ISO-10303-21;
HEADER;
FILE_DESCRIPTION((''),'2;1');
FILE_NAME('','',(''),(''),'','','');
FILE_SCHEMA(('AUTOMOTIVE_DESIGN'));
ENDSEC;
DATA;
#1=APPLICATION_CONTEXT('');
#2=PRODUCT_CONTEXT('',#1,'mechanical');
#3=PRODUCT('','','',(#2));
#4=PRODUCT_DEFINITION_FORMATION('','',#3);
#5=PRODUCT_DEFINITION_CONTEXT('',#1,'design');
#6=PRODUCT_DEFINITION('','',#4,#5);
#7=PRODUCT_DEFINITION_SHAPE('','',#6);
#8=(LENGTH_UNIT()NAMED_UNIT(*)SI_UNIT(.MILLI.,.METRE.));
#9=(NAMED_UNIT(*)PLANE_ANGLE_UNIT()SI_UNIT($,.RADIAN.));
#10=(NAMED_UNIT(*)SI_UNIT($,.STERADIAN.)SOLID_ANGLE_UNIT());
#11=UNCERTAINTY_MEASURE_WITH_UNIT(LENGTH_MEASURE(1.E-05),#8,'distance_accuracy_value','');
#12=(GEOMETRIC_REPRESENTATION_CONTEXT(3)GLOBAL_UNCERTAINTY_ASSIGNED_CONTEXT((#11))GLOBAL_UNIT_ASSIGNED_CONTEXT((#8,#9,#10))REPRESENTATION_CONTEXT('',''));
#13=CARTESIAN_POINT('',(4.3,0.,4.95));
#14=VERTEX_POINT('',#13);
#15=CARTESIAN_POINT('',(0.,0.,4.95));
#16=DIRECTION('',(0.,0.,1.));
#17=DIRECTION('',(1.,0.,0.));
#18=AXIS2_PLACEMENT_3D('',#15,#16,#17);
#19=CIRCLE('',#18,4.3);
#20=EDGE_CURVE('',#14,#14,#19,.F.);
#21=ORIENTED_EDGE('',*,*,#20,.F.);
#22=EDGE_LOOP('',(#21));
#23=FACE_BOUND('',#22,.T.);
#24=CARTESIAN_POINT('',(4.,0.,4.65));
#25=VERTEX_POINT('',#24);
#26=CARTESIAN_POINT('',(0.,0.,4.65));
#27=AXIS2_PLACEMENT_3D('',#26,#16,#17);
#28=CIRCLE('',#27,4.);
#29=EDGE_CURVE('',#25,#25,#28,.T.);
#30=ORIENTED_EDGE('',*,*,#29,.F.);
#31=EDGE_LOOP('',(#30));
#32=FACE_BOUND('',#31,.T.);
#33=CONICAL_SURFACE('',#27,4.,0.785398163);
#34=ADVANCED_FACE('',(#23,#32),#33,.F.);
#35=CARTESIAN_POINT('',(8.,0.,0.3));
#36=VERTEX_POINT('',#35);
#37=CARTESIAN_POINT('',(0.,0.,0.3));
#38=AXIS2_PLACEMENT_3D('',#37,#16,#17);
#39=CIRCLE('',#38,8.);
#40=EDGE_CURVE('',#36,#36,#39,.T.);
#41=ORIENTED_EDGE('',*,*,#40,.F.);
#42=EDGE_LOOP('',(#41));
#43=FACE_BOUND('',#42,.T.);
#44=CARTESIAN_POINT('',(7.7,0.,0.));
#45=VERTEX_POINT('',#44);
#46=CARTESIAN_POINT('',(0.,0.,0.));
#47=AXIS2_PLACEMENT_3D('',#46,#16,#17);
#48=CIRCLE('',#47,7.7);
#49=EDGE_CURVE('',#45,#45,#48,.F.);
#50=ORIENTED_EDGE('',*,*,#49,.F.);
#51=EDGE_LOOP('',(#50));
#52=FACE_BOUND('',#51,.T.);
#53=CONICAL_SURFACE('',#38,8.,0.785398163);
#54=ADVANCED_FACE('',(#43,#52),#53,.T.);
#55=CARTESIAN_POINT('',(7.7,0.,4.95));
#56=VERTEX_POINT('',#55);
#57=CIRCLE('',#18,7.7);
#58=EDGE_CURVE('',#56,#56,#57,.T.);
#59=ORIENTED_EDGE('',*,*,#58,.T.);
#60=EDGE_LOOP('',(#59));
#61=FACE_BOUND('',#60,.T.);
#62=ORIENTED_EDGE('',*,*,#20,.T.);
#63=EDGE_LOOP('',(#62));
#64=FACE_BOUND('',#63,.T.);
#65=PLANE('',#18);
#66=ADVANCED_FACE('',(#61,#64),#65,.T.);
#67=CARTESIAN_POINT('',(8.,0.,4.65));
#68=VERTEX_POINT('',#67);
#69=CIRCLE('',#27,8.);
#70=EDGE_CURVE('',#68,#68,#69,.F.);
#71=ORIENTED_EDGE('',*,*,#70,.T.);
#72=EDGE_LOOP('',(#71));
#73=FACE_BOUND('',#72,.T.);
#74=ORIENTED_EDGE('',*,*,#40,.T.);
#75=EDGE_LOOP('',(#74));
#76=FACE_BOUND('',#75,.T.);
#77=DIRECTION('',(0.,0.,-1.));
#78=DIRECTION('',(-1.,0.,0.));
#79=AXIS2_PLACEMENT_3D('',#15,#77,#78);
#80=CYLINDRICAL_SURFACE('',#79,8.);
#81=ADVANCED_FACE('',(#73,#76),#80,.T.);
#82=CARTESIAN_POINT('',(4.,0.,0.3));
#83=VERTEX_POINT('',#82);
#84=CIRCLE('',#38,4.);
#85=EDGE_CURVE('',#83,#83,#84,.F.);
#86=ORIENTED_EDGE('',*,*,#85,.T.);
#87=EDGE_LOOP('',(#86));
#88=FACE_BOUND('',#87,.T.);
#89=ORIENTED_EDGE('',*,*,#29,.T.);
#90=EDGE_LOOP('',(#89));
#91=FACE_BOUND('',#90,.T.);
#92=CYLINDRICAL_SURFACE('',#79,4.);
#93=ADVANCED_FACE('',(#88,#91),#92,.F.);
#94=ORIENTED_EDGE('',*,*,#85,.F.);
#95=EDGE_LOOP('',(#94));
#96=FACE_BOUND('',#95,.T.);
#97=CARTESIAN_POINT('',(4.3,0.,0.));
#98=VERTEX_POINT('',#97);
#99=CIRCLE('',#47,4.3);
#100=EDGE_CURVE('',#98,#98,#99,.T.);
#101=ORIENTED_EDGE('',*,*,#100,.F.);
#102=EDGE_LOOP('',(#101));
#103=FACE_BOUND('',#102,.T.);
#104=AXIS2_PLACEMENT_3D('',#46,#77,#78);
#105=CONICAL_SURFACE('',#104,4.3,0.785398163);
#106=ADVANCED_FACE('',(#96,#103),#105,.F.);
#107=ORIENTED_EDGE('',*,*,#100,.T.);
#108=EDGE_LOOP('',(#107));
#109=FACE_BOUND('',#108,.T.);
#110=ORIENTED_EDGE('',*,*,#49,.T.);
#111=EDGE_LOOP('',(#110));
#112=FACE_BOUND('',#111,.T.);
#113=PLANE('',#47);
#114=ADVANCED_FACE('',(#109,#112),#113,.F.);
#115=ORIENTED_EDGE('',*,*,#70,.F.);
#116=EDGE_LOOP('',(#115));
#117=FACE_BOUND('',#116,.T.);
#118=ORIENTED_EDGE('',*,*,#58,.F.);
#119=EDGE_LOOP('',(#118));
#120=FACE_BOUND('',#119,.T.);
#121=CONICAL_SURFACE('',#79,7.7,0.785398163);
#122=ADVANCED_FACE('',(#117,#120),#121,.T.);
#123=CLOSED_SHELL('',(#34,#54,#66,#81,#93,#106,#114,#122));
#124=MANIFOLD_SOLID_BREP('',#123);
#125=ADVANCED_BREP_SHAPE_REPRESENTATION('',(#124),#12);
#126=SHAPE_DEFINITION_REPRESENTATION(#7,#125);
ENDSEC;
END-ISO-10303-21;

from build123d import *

# Parameters (mm, degrees)
SKETCH1_R           = 8
SKETCH1_R_2         = 4
BOSS_EXTRUDE1_DEPTH = 4.95
CHAMFER1_SIZE       = 0.3


with BuildPart() as part:
    # Sketch1 → Boss-Extrude1 (new body)
    with BuildSketch(Plane.XY):
        Circle(SKETCH1_R)
        Circle(SKETCH1_R_2, mode=Mode.SUBTRACT)
    extrude(amount=BOSS_EXTRUDE1_DEPTH)

    # Chamfer1
    chamfer1_edges = [part.edges().sort_by_distance(p)[0] for p in [
        (-8, 0, 0),
        (-8, 0, 4.95),
        (-4, 0, 0),
        (-4, 0, 4.95),
    ]]
    chamfer(chamfer1_edges, length=CHAMFER1_SIZE)


solid = part.part
